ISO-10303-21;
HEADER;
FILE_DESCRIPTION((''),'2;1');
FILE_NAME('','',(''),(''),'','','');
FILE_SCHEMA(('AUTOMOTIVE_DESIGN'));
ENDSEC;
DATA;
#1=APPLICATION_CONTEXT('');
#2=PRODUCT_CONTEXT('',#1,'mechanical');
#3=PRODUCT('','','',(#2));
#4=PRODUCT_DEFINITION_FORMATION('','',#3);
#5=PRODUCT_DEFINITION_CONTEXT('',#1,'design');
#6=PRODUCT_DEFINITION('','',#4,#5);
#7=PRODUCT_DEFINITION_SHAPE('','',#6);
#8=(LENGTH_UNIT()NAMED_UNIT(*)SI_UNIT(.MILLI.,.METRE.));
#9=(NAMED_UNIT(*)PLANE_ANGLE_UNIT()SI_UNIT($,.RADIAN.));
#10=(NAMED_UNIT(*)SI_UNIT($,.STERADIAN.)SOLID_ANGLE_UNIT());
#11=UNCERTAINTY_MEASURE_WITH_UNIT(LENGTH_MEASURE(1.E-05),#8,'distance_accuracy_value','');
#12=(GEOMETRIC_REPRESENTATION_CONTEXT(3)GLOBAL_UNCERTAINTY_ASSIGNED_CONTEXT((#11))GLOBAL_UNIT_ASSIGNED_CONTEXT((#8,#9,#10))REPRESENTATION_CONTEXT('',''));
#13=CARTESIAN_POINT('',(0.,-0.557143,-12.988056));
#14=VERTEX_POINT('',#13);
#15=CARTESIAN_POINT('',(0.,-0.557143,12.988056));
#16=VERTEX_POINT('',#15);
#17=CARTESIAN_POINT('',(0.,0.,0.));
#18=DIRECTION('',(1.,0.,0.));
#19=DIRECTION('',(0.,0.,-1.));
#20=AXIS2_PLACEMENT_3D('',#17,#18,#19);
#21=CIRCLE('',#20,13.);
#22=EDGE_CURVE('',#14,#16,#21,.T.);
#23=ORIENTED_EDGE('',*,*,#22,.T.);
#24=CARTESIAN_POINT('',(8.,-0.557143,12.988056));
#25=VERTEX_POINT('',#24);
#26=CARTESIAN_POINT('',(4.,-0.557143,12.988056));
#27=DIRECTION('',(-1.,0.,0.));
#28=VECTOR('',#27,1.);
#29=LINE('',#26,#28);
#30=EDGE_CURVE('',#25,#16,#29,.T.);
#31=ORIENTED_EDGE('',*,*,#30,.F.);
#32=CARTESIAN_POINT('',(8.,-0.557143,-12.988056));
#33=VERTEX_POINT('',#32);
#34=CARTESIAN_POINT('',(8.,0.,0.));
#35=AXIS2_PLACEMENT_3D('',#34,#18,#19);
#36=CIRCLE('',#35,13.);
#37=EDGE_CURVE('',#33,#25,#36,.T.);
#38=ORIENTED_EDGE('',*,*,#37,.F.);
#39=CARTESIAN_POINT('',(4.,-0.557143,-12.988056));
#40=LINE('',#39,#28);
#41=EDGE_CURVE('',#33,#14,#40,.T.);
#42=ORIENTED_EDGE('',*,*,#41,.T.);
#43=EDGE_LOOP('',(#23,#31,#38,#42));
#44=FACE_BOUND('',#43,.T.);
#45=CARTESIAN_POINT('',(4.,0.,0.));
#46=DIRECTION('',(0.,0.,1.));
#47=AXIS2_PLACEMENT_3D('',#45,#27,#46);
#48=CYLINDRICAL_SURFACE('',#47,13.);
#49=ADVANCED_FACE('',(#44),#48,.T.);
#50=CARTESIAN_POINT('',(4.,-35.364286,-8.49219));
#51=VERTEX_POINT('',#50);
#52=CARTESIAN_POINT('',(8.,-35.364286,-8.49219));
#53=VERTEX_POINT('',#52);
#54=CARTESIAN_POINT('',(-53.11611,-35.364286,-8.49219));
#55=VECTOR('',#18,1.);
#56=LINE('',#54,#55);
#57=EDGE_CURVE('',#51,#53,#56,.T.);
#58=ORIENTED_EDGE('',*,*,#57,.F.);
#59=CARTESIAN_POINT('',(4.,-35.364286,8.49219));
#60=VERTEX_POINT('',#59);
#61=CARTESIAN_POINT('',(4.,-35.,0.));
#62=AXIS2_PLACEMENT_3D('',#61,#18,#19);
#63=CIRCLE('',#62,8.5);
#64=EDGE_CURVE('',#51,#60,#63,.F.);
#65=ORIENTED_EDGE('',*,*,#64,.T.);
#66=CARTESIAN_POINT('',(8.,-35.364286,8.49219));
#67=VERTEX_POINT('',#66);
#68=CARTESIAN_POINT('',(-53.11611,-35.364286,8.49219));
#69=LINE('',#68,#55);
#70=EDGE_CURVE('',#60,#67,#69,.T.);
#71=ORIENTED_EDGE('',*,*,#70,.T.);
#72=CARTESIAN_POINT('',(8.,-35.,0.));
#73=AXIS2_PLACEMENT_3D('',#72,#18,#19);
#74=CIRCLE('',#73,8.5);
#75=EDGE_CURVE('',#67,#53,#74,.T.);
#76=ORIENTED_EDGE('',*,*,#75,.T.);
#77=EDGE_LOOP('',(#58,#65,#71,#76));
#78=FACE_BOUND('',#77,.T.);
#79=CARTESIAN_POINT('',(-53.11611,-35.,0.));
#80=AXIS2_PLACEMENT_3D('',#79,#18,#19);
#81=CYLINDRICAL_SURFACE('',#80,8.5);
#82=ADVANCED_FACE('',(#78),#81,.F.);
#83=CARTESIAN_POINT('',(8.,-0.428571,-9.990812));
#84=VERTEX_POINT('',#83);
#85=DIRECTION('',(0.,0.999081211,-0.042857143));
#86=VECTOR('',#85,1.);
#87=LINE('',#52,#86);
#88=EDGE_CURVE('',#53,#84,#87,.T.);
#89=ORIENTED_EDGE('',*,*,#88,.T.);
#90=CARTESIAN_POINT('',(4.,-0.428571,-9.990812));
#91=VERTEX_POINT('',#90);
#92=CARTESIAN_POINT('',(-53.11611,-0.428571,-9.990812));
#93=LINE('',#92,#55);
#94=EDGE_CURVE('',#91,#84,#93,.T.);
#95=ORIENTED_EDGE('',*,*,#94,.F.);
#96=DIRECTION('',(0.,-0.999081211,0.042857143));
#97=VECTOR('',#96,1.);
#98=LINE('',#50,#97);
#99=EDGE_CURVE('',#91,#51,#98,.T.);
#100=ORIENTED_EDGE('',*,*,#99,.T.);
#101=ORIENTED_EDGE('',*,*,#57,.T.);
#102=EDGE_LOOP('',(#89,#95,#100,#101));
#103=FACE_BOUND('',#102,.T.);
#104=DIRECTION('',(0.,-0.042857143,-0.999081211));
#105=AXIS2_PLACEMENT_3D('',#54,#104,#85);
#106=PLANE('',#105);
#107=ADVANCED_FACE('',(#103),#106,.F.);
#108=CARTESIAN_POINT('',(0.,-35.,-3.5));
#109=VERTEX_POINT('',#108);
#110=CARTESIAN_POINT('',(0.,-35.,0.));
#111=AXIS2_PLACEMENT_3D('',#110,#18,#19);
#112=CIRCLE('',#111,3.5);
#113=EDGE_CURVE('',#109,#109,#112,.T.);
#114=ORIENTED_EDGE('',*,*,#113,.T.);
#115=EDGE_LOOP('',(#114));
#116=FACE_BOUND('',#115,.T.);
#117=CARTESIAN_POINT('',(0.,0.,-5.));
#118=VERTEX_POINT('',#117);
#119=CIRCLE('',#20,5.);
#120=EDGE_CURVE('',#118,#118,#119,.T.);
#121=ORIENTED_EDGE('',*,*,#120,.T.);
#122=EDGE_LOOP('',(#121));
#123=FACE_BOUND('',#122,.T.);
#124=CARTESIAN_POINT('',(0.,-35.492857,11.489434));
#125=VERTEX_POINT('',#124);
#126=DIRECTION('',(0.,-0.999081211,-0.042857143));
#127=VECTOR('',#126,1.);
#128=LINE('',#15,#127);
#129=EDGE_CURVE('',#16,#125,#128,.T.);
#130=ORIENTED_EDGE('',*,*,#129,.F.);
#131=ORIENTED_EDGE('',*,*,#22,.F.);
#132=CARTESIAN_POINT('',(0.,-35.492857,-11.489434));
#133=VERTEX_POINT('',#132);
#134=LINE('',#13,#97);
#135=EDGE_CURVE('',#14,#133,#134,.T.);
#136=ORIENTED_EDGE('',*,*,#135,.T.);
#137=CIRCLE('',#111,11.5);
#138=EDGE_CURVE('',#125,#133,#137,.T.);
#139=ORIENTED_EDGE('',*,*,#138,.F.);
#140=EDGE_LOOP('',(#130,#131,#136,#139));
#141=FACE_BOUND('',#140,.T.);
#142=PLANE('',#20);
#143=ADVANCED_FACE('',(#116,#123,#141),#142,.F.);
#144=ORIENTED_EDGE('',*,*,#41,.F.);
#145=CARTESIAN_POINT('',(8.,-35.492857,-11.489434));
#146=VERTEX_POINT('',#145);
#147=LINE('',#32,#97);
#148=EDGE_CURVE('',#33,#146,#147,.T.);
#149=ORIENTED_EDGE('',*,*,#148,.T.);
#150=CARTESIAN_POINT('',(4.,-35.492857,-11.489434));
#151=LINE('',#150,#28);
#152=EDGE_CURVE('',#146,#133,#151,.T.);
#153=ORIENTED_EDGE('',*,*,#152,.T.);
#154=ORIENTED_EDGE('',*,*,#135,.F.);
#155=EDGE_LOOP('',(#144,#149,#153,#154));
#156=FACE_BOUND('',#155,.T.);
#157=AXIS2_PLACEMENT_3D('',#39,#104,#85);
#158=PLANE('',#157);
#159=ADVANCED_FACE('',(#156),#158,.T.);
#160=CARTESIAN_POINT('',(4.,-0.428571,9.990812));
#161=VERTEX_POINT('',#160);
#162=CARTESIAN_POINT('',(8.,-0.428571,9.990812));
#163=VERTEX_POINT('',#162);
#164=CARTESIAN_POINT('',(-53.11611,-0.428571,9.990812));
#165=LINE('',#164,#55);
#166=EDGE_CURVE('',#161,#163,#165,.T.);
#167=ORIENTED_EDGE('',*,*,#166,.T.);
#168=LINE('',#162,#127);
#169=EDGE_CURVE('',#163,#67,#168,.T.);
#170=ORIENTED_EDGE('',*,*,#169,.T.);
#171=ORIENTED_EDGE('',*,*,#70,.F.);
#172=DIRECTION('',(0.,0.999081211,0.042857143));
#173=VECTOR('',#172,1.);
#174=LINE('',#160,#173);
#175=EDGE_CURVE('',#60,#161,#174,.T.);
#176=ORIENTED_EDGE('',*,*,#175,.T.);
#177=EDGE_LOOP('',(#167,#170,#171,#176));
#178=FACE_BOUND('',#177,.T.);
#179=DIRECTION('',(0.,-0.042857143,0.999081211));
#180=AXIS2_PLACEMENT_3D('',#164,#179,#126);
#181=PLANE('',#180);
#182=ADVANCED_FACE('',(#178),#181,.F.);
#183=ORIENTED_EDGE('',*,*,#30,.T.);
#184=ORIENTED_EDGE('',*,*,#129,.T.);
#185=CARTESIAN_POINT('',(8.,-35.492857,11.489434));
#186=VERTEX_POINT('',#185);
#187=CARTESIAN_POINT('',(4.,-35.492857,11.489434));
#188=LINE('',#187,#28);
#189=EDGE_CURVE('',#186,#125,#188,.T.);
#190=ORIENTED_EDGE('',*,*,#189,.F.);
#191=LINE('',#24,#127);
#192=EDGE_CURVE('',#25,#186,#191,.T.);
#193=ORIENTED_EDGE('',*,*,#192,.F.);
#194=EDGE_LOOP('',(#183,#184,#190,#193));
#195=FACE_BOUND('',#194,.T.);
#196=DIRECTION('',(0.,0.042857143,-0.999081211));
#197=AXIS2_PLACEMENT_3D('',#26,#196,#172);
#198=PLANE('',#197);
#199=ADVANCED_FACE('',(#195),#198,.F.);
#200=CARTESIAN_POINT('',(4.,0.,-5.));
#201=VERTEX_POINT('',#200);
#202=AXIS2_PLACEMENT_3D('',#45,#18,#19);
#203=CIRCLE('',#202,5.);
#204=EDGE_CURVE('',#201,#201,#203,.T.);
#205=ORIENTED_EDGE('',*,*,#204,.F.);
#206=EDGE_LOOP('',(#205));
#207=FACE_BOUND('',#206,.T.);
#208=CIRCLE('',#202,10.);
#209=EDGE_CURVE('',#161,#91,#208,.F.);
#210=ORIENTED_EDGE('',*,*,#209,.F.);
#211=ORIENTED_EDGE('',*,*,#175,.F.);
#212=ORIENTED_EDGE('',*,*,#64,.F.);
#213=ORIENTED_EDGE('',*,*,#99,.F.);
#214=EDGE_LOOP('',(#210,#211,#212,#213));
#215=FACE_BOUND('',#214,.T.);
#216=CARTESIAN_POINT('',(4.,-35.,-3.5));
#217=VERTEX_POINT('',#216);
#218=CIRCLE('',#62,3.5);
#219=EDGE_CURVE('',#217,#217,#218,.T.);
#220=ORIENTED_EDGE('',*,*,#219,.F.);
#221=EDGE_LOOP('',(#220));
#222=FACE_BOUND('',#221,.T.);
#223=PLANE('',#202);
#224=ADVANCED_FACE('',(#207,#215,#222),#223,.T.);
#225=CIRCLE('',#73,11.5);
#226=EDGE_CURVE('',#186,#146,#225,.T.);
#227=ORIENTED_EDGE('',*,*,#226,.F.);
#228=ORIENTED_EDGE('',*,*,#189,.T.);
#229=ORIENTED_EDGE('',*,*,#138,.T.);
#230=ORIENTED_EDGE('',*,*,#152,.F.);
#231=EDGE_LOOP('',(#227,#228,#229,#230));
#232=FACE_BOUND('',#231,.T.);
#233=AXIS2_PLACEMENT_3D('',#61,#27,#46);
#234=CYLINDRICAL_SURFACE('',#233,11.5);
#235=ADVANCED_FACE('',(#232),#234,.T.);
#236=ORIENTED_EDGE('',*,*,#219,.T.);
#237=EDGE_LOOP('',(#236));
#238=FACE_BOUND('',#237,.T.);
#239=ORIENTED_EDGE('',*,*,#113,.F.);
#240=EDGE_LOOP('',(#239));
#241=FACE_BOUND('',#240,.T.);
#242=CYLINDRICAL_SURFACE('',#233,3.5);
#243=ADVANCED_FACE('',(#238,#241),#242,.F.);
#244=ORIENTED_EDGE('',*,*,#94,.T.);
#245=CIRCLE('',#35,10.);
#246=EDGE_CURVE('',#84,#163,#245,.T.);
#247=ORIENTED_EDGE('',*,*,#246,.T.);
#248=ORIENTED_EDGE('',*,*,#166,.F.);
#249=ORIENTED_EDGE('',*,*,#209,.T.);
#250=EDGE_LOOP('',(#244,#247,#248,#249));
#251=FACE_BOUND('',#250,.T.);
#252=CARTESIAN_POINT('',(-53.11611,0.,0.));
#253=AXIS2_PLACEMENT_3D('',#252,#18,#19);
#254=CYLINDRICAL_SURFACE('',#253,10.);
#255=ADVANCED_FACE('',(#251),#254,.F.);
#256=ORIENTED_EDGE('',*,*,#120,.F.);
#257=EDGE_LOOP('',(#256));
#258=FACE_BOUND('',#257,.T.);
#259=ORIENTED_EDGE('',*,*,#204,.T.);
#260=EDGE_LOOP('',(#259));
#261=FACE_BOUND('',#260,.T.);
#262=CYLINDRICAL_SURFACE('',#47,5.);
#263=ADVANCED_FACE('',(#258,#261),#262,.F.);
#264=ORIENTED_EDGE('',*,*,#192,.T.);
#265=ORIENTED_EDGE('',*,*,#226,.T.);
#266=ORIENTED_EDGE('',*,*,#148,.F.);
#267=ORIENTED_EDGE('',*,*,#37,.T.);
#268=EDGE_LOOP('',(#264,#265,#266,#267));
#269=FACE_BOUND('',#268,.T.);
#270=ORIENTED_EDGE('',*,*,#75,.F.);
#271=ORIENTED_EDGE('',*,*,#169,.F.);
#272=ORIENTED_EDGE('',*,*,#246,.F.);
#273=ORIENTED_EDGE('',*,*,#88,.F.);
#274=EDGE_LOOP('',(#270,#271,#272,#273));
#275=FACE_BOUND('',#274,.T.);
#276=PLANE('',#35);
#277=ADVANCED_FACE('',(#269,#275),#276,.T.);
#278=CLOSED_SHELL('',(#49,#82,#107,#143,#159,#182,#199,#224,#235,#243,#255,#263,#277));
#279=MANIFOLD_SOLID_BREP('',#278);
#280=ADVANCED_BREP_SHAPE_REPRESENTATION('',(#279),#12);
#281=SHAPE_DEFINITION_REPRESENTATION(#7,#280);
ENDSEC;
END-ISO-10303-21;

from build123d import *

# Parameters (mm, degrees)
EXTRUDE_1_DEPTH     = 4
EXTRUDE_2_DEPTH     = 8
CUT_EXTRUDE_1_DEPTH = 4


with BuildPart() as part:
    # Эскиз1 → Бобышка-Вытянуть1 (new body)
    with BuildSketch(Plane(origin=(0, 0, 0), x_dir=(0, 0, -1), z_dir=(1, 0, 0))):
        with BuildLine():
            Line((-7.553494652, -10.580393119), (-7.992649685, -0.342857143))
            ThreePointArc((-7.992649685, -0.342857143), (-0.171467962, 7.99816221), (8, 0))
            ThreePointArc((8, 0), (7.99816221, -0.171467962), (7.992649685, -0.342857143))
            Line((7.992649685, -0.342857143), (7.553494652, -10.580393119))
            ThreePointArc((7.553494652, -10.580393119), (11.428263628, -6.196352996), (12.988055737, -0.557142857))
            ThreePointArc((12.988055737, -0.557142857), (12.997013591, -0.278635438), (13, 0))
            ThreePointArc((13, 0), (-0.278635438, 12.997013591), (-12.988055737, -0.557142857))
            ThreePointArc((-12.988055737, -0.557142857), (-11.428263628, -6.196352996), (-7.553494652, -10.580393119))
        make_face()
        with BuildLine():
            Line((-4.727763281, -6.453545875), (-4.995406053, -0.214285714))
            ThreePointArc((-4.995406053, -0.214285714), (-0.107167476, 4.998851381), (5, 0))
            ThreePointArc((5, 0), (4.998851381, -0.107167476), (4.995406053, -0.214285714))
            Line((4.995406053, -0.214285714), (4.727763281, -6.453545875))
            ThreePointArc((4.727763281, -6.453545875), (7.056015568, -3.769966087), (7.992649685, -0.342857143))
            ThreePointArc((7.992649685, -0.342857143), (7.99816221, -0.171467962), (8, 0))
            ThreePointArc((8, 0), (-0.171467962, 7.99816221), (-7.992649685, -0.342857143))
            ThreePointArc((-7.992649685, -0.342857143), (-7.056015568, -3.769966087), (-4.727763281, -6.453545875))
        make_face()
        with BuildLine():
            Line((0, -8), (0, -5))
            ThreePointArc((0, -5), (-3.458942861, -3.610500559), (-4.995406053, -0.214285714))
            Line((-4.995406053, -0.214285714), (-4.727763281, -6.453545875))
            ThreePointArc((-4.727763281, -6.453545875), (-2.487130174, -7.603563868), (0, -8))
        make_face()
        with BuildLine():
            ThreePointArc((4.995406053, -0.214285714), (3.458942861, -3.610500559), (0, -5))
            Line((0, -5), (0, -8))
            ThreePointArc((0, -8), (2.487130174, -7.603563868), (4.727763281, -6.453545875))
            Line((4.727763281, -6.453545875), (4.995406053, -0.214285714))
        make_face()
        with BuildLine():
            ThreePointArc((4.727763281, -6.453545875), (2.487130174, -7.603563868), (0, -8))
            Line((0, -8), (0, -13))
            ThreePointArc((0, -13), (2.275699548, -12.799265274), (4.481120339, -12.203260241))
            Line((4.481120339, -12.203260241), (4.727763281, -6.453545875))
        make_face()
        with BuildLine():
            ThreePointArc((7.992649685, -0.342857143), (7.056015568, -3.769966087), (4.727763281, -6.453545875))
            Line((4.727763281, -6.453545875), (4.481120339, -12.203260241))
            ThreePointArc((4.481120339, -12.203260241), (6.071771893, -11.494937411), (7.553494652, -10.580393119))
            Line((7.553494652, -10.580393119), (7.992649685, -0.342857143))
        make_face()
        with BuildLine():
            Line((0, -13), (0, -8))
            ThreePointArc((0, -8), (-2.487130174, -7.603563868), (-4.727763281, -6.453545875))
            Line((-4.727763281, -6.453545875), (-4.481120339, -12.203260241))
            ThreePointArc((-4.481120339, -12.203260241), (-2.275699548, -12.799265274), (0, -13))
        make_face()
        with BuildLine():
            Line((-4.481120339, -12.203260241), (-4.727763281, -6.453545875))
            ThreePointArc((-4.727763281, -6.453545875), (-7.056015568, -3.769966087), (-7.992649685, -0.342857143))
            Line((-7.992649685, -0.342857143), (-7.553494652, -10.580393119))
            ThreePointArc((-7.553494652, -10.580393119), (-6.071771893, -11.494937411), (-4.481120339, -12.203260241))
        make_face()
        with BuildLine():
            Line((-3.966260715, -24.205613684), (-4.481120339, -12.203260241))
            ThreePointArc((-4.481120339, -12.203260241), (-6.071771893, -11.494937411), (-7.553494652, -10.580393119))
            Line((-7.553494652, -10.580393119), (-6.900606425, -25.80045485))
            ThreePointArc((-6.900606425, -25.80045485), (-5.491637274, -24.895945366), (-3.966260715, -24.205613684))
        make_face()
        with BuildLine():
            Line((-6.900606425, -25.80045485), (-7.553494652, -10.580393119))
            ThreePointArc((-7.553494652, -10.580393119), (-11.428263628, -6.196352996), (-12.988055737, -0.557142857))
            Line((-12.988055737, -0.557142857), (-11.489433922, -35.492857143))
            ThreePointArc((-11.489433922, -35.492857143), (-10.393943503, -30.07903074), (-6.900606425, -25.80045485))
        make_face()
        with BuildLine():
            Line((0, -23.5), (0, -13))
            ThreePointArc((0, -13), (-2.275699548, -12.799265274), (-4.481120339, -12.203260241))
            Line((-4.481120339, -12.203260241), (-3.966260715, -24.205613684))
            ThreePointArc((-3.966260715, -24.205613684), (-2.014268771, -23.677777545), (0, -23.5))
        make_face()
        with BuildLine():
            ThreePointArc((4.481120339, -12.203260241), (2.275699548, -12.799265274), (0, -13))
            Line((0, -13), (0, -23.5))
            ThreePointArc((0, -23.5), (2.014268771, -23.677777545), (3.966260715, -24.205613684))
            Line((3.966260715, -24.205613684), (4.481120339, -12.203260241))
        make_face()
        with BuildLine():
            ThreePointArc((7.553494652, -10.580393119), (6.071771893, -11.494937411), (4.481120339, -12.203260241))
            Line((4.481120339, -12.203260241), (3.966260715, -24.205613684))
            ThreePointArc((3.966260715, -24.205613684), (5.491637274, -24.895945366), (6.900606425, -25.80045485))
            Line((6.900606425, -25.80045485), (7.553494652, -10.580393119))
        make_face()
        with BuildLine():
            ThreePointArc((12.988055737, -0.557142857), (11.428263628, -6.196352996), (7.553494652, -10.580393119))
            Line((7.553494652, -10.580393119), (6.900606425, -25.80045485))
            ThreePointArc((6.900606425, -25.80045485), (10.286082196, -29.857382665), (11.5, -35))
            ThreePointArc((11.5, -35), (11.497358177, -35.246485195), (11.489433922, -35.492857143))
            Line((11.489433922, -35.492857143), (12.988055737, -0.557142857))
        make_face()
        with BuildLine():
            ThreePointArc((11.5, -35), (10.286082196, -29.857382665), (6.900606425, -25.80045485))
            Line((6.900606425, -25.80045485), (6.494027869, -35.278571429))
            ThreePointArc((6.494027869, -35.278571429), (0, -41.5), (-6.494027869, -35.278571429))
            Line((-6.494027869, -35.278571429), (-6.900606425, -25.80045485))
            ThreePointArc((-6.900606425, -25.80045485), (-10.393943503, -30.07903074), (-11.489433922, -35.492857143))
            ThreePointArc((-11.489433922, -35.492857143), (0, -46.5), (11.489433922, -35.492857143))
            ThreePointArc((11.489433922, -35.492857143), (11.497358177, -35.246485195), (11.5, -35))
        make_face()
        with BuildLine():
            ThreePointArc((6.5, -35), (5.766493566, -32.000408036), (3.731522476, -29.677806842))
            Line((3.731522476, -29.677806842), (3.496784237, -35.15))
            ThreePointArc((3.496784237, -35.15), (0, -38.5), (-3.496784237, -35.15))
            Line((-3.496784237, -35.15), (-3.731522476, -29.677806842))
            ThreePointArc((-3.731522476, -29.677806842), (-5.829460606, -32.124693225), (-6.494027869, -35.278571429))
            ThreePointArc((-6.494027869, -35.278571429), (0, -41.5), (6.494027869, -35.278571429))
            ThreePointArc((6.494027869, -35.278571429), (6.498506796, -35.139317719), (6.5, -35))
        make_face()
        with BuildLine():
            Line((-3.731522476, -29.677806842), (-3.966260715, -24.205613684))
            ThreePointArc((-3.966260715, -24.205613684), (-5.491637274, -24.895945366), (-6.900606425, -25.80045485))
            Line((-6.900606425, -25.80045485), (-6.494027869, -35.278571429))
            ThreePointArc((-6.494027869, -35.278571429), (-5.829460606, -32.124693225), (-3.731522476, -29.677806842))
        make_face()
        with BuildLine():
            Line((0, -28.5), (0, -23.5))
            ThreePointArc((0, -23.5), (-2.014268771, -23.677777545), (-3.966260715, -24.205613684))
            Line((-3.966260715, -24.205613684), (-3.731522476, -29.677806842))
            ThreePointArc((-3.731522476, -29.677806842), (-1.956494885, -28.801441477), (0, -28.5))
        make_face()
        with BuildLine():
            ThreePointArc((3.966260715, -24.205613684), (2.014268771, -23.677777545), (0, -23.5))
            Line((0, -23.5), (0, -28.5))
            ThreePointArc((0, -28.5), (1.956494885, -28.801441477), (3.731522476, -29.677806842))
            Line((3.731522476, -29.677806842), (3.966260715, -24.205613684))
        make_face()
        with BuildLine():
            Line((0, -31.5), (0, -28.5))
            ThreePointArc((0, -28.5), (-1.956494885, -28.801441477), (-3.731522476, -29.677806842))
            Line((-3.731522476, -29.677806842), (-3.496784237, -35.15))
            ThreePointArc((-3.496784237, -35.15), (-2.527350391, -32.578739997), (0, -31.5))
        make_face()
        with BuildLine():
            ThreePointArc((3.731522476, -29.677806842), (1.956494885, -28.801441477), (0, -28.5))
            Line((0, -28.5), (0, -31.5))
            ThreePointArc((0, -31.5), (2.474873734, -32.525126266), (3.5, -35))
            ThreePointArc((3.5, -35), (3.499195967, -35.075017233), (3.496784237, -35.15))
            Line((3.496784237, -35.15), (3.731522476, -29.677806842))
        make_face()
        with BuildLine():
            ThreePointArc((6.900606425, -25.80045485), (5.491637274, -24.895945366), (3.966260715, -24.205613684))
            Line((3.966260715, -24.205613684), (3.731522476, -29.677806842))
            ThreePointArc((3.731522476, -29.677806842), (5.766493566, -32.000408036), (6.5, -35))
            ThreePointArc((6.5, -35), (6.498506796, -35.139317719), (6.494027869, -35.278571429))
            Line((6.494027869, -35.278571429), (6.900606425, -25.80045485))
        make_face()
    extrude(amount=EXTRUDE_1_DEPTH)

    # Эскиз1<5> → Бобышка-Вытянуть2 (add)
    with BuildSketch(Plane(origin=(0, 0, 0), x_dir=(0, 0, -1), z_dir=(1, 0, 0))):
        with BuildLine():
            Line((-6.900606425, -25.80045485), (-7.553494652, -10.580393119))
            ThreePointArc((-7.553494652, -10.580393119), (-11.428263628, -6.196352996), (-12.988055737, -0.557142857))
            Line((-12.988055737, -0.557142857), (-11.489433922, -35.492857143))
            ThreePointArc((-11.489433922, -35.492857143), (-10.393943503, -30.07903074), (-6.900606425, -25.80045485))
        make_face()
        with BuildLine():
            Line((-6.494027869, -35.278571429), (-6.900606425, -25.80045485))
            ThreePointArc((-6.900606425, -25.80045485), (-10.393943503, -30.07903074), (-11.489433922, -35.492857143))
            ThreePointArc((-11.489433922, -35.492857143), (0, -46.5), (11.489433922, -35.492857143))
            ThreePointArc((11.489433922, -35.492857143), (11.497358177, -35.246485195), (11.5, -35))
            ThreePointArc((11.5, -35), (10.286082196, -29.857382665), (6.900606425, -25.80045485))
            Line((6.900606425, -25.80045485), (6.494027869, -35.278571429))
            ThreePointArc((6.494027869, -35.278571429), (0, -41.5), (-6.494027869, -35.278571429))
        make_face()
        with BuildLine():
            ThreePointArc((12.988055737, -0.557142857), (11.428263628, -6.196352996), (7.553494652, -10.580393119))
            Line((7.553494652, -10.580393119), (6.900606425, -25.80045485))
            ThreePointArc((6.900606425, -25.80045485), (10.286082196, -29.857382665), (11.5, -35))
            ThreePointArc((11.5, -35), (11.497358177, -35.246485195), (11.489433922, -35.492857143))
            Line((11.489433922, -35.492857143), (12.988055737, -0.557142857))
        make_face()
        with BuildLine():
            Line((-7.553494652, -10.580393119), (-7.992649685, -0.342857143))
            ThreePointArc((-7.992649685, -0.342857143), (-0.171467962, 7.99816221), (8, 0))
            ThreePointArc((8, 0), (7.99816221, -0.171467962), (7.992649685, -0.342857143))
            Line((7.992649685, -0.342857143), (7.553494652, -10.580393119))
            ThreePointArc((7.553494652, -10.580393119), (11.428263628, -6.196352996), (12.988055737, -0.557142857))
            ThreePointArc((12.988055737, -0.557142857), (12.997013591, -0.278635438), (13, 0))
            ThreePointArc((13, 0), (-0.278635438, 12.997013591), (-12.988055737, -0.557142857))
            ThreePointArc((-12.988055737, -0.557142857), (-11.428263628, -6.196352996), (-7.553494652, -10.580393119))
        make_face()
    extrude(amount=EXTRUDE_2_DEPTH)

    # Эскиз2 → Вырез-Вытянуть1 (cut)
    with BuildSketch(Plane(origin=(8, 0, 0), x_dir=(0, 0, -1), z_dir=(1, 0, 0))):
        with BuildLine():
            Line((-9.990812106, -0.428571429), (-8.49219029, -35.364285714))
            ThreePointArc((-8.49219029, -35.364285714), (0, -43.5), (8.49219029, -35.364285714))
            Line((8.49219029, -35.364285714), (9.990812106, -0.428571429))
            ThreePointArc((9.990812106, -0.428571429), (0, 10), (-9.990812106, -0.428571429))
        make_face()
    extrude(amount=-CUT_EXTRUDE_1_DEPTH, mode=Mode.SUBTRACT)


solid = part.part
